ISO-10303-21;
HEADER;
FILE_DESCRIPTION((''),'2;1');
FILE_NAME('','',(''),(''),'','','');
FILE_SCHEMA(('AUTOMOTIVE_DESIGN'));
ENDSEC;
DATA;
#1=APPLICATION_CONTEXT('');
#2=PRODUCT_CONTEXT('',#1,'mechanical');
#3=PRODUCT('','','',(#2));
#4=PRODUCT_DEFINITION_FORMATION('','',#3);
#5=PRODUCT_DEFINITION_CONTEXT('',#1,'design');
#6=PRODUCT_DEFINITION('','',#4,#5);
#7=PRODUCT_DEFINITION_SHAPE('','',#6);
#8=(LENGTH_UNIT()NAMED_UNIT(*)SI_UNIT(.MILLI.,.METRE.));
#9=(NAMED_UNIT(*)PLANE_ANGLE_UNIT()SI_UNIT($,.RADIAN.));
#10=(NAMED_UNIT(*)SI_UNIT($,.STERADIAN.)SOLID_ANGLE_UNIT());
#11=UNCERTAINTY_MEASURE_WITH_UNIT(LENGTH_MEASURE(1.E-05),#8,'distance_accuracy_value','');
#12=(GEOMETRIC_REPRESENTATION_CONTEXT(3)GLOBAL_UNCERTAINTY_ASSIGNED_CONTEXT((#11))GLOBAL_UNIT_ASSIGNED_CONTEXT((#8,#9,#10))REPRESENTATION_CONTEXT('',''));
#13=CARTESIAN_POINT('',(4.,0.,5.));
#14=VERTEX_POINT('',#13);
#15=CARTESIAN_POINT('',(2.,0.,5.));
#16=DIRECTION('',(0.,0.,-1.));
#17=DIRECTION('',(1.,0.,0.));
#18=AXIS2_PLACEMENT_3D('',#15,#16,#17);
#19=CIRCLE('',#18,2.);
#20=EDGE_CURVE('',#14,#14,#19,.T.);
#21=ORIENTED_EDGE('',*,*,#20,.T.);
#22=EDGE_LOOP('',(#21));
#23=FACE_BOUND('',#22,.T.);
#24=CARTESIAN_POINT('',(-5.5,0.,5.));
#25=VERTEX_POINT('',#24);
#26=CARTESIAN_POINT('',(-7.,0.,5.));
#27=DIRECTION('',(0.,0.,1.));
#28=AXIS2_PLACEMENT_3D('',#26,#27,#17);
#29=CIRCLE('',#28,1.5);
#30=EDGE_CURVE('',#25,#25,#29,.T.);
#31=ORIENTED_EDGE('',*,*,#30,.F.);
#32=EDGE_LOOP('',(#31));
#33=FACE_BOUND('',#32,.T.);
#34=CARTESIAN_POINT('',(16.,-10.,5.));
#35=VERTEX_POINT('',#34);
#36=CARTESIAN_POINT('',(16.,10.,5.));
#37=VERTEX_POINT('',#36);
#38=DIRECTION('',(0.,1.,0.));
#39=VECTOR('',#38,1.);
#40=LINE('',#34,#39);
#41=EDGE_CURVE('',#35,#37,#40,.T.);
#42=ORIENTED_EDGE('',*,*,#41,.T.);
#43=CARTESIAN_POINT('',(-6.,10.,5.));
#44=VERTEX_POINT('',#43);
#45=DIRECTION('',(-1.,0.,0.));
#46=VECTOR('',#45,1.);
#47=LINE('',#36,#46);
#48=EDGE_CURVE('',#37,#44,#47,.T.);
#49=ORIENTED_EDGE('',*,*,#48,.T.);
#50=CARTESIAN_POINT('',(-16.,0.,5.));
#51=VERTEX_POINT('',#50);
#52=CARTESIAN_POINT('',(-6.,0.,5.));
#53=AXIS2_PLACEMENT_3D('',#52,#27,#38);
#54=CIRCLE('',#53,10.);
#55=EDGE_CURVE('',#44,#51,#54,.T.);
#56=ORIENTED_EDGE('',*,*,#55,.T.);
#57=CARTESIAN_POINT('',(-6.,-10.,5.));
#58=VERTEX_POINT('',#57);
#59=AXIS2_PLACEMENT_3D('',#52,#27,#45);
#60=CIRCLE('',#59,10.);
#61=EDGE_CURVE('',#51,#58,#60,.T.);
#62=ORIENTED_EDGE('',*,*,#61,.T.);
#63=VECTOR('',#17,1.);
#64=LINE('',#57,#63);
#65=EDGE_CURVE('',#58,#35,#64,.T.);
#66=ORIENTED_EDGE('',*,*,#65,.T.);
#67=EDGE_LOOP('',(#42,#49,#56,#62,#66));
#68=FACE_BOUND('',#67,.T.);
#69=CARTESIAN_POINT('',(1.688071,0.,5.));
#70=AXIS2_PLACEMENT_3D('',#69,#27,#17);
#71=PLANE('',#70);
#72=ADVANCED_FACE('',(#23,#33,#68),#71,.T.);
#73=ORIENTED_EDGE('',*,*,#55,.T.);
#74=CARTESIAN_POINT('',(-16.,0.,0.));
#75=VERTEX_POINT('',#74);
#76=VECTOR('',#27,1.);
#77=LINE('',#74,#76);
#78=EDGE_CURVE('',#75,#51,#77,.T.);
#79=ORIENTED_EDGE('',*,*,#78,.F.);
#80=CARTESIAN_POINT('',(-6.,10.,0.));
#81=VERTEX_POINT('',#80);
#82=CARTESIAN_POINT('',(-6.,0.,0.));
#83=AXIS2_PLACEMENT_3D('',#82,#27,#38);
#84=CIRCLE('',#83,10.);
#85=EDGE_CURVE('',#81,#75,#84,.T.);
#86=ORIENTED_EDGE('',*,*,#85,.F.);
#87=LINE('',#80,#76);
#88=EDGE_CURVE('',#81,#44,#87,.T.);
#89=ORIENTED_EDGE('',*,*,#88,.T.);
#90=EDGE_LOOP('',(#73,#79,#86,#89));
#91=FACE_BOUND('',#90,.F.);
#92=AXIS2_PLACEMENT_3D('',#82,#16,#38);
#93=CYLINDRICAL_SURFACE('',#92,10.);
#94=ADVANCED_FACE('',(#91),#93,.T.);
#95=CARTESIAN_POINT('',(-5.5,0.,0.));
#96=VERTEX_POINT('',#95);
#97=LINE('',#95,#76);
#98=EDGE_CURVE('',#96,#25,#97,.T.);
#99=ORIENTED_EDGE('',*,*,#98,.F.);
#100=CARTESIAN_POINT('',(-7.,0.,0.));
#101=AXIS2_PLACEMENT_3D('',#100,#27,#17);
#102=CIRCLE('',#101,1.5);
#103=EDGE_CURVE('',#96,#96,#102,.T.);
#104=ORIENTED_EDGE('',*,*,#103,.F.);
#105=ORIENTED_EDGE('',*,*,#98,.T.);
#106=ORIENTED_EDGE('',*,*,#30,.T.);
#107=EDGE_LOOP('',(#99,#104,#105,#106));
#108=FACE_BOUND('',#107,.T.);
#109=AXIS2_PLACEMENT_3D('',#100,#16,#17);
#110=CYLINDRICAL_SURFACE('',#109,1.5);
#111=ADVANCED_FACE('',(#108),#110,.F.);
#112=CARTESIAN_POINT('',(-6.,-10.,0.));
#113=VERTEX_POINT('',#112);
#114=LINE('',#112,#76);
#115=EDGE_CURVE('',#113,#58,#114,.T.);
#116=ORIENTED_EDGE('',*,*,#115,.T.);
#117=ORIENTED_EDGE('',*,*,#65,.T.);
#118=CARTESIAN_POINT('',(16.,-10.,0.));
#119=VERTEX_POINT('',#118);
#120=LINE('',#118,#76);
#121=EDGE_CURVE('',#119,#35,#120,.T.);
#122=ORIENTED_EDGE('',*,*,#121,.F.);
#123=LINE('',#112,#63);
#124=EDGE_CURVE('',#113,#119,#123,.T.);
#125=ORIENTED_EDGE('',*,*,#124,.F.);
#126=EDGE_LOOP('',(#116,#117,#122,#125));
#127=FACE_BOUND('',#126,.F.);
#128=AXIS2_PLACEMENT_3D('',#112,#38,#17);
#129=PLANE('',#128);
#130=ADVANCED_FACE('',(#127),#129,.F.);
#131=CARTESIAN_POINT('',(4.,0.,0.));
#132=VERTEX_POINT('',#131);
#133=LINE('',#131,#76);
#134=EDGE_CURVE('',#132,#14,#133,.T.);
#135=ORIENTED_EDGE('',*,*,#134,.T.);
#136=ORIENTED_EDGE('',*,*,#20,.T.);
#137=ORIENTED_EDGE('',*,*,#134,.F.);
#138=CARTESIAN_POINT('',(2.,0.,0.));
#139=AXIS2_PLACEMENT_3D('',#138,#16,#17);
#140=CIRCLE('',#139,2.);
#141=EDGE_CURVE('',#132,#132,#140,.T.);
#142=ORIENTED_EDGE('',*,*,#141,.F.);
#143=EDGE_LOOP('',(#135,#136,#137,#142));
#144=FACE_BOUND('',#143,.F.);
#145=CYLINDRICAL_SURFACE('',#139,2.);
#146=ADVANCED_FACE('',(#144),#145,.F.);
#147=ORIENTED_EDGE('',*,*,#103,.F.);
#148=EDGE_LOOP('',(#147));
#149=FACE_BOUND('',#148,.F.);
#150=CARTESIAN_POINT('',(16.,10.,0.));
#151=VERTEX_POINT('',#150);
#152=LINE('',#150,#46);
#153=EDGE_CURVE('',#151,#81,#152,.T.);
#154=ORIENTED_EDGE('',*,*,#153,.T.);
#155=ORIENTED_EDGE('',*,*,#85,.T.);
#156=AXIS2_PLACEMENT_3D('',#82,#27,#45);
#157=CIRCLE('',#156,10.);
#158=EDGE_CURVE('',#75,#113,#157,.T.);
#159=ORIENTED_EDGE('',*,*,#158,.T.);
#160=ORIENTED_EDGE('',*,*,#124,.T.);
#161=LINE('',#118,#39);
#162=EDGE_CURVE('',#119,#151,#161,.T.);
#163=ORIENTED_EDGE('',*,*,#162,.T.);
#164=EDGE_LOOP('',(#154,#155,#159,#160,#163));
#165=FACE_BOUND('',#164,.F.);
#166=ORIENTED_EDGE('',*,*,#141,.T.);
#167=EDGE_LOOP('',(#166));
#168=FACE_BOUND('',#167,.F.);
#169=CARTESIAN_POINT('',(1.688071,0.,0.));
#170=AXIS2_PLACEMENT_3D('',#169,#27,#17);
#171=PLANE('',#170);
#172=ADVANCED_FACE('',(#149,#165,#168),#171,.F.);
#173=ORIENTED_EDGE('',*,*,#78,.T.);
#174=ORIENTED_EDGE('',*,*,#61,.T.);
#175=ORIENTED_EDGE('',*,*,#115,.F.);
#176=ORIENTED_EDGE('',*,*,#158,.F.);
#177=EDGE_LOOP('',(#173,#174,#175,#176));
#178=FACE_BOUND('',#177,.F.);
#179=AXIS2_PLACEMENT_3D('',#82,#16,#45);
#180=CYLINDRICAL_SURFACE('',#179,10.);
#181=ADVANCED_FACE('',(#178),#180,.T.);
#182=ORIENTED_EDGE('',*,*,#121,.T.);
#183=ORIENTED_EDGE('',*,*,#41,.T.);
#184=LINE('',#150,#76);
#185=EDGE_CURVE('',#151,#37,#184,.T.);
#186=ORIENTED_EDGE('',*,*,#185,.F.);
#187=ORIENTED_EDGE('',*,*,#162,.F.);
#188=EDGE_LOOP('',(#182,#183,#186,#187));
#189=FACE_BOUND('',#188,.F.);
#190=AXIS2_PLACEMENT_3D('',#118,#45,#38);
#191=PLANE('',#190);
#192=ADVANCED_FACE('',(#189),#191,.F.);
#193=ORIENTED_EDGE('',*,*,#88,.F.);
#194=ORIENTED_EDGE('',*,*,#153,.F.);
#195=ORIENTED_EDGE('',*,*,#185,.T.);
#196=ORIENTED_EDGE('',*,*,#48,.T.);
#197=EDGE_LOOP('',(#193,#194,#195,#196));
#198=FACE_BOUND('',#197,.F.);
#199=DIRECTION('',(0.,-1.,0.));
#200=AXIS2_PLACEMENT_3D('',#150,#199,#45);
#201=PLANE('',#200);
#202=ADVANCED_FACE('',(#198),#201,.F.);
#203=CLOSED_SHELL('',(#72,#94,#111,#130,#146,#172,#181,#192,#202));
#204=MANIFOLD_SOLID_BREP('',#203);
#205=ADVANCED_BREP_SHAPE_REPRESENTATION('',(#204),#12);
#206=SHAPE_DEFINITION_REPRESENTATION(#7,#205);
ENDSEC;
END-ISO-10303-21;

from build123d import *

# Parameters (mm, degrees)
F0_R     = 1.5
F1_DEPTH = 5


with BuildPart() as f1:
    # F0 (on Top) → F1 (new body)
    with BuildSketch(Plane.XY):
        with BuildLine():
            Line((16, 10), (-6, 10))
            ThreePointArc((-6, 10), (-13.0710678119, 7.0710678119), (-16, 0))
            ThreePointArc((-16, 0), (-13.0710678119, -7.0710678119), (-6, -10))
            Line((-6, -10), (16, -10))
            Line((16, -10), (16, 10))
        make_face()
        with Locations((-7, 0)):
            Circle(F0_R, mode=Mode.SUBTRACT)
        with BuildLine():
            ThreePointArc((0, 0), (2, 2), (4, 0))
            ThreePointArc((4, 0), (2, -2), (0, 0))
        make_face(mode=Mode.SUBTRACT)
    extrude(amount=F1_DEPTH)


solid = f1.part
